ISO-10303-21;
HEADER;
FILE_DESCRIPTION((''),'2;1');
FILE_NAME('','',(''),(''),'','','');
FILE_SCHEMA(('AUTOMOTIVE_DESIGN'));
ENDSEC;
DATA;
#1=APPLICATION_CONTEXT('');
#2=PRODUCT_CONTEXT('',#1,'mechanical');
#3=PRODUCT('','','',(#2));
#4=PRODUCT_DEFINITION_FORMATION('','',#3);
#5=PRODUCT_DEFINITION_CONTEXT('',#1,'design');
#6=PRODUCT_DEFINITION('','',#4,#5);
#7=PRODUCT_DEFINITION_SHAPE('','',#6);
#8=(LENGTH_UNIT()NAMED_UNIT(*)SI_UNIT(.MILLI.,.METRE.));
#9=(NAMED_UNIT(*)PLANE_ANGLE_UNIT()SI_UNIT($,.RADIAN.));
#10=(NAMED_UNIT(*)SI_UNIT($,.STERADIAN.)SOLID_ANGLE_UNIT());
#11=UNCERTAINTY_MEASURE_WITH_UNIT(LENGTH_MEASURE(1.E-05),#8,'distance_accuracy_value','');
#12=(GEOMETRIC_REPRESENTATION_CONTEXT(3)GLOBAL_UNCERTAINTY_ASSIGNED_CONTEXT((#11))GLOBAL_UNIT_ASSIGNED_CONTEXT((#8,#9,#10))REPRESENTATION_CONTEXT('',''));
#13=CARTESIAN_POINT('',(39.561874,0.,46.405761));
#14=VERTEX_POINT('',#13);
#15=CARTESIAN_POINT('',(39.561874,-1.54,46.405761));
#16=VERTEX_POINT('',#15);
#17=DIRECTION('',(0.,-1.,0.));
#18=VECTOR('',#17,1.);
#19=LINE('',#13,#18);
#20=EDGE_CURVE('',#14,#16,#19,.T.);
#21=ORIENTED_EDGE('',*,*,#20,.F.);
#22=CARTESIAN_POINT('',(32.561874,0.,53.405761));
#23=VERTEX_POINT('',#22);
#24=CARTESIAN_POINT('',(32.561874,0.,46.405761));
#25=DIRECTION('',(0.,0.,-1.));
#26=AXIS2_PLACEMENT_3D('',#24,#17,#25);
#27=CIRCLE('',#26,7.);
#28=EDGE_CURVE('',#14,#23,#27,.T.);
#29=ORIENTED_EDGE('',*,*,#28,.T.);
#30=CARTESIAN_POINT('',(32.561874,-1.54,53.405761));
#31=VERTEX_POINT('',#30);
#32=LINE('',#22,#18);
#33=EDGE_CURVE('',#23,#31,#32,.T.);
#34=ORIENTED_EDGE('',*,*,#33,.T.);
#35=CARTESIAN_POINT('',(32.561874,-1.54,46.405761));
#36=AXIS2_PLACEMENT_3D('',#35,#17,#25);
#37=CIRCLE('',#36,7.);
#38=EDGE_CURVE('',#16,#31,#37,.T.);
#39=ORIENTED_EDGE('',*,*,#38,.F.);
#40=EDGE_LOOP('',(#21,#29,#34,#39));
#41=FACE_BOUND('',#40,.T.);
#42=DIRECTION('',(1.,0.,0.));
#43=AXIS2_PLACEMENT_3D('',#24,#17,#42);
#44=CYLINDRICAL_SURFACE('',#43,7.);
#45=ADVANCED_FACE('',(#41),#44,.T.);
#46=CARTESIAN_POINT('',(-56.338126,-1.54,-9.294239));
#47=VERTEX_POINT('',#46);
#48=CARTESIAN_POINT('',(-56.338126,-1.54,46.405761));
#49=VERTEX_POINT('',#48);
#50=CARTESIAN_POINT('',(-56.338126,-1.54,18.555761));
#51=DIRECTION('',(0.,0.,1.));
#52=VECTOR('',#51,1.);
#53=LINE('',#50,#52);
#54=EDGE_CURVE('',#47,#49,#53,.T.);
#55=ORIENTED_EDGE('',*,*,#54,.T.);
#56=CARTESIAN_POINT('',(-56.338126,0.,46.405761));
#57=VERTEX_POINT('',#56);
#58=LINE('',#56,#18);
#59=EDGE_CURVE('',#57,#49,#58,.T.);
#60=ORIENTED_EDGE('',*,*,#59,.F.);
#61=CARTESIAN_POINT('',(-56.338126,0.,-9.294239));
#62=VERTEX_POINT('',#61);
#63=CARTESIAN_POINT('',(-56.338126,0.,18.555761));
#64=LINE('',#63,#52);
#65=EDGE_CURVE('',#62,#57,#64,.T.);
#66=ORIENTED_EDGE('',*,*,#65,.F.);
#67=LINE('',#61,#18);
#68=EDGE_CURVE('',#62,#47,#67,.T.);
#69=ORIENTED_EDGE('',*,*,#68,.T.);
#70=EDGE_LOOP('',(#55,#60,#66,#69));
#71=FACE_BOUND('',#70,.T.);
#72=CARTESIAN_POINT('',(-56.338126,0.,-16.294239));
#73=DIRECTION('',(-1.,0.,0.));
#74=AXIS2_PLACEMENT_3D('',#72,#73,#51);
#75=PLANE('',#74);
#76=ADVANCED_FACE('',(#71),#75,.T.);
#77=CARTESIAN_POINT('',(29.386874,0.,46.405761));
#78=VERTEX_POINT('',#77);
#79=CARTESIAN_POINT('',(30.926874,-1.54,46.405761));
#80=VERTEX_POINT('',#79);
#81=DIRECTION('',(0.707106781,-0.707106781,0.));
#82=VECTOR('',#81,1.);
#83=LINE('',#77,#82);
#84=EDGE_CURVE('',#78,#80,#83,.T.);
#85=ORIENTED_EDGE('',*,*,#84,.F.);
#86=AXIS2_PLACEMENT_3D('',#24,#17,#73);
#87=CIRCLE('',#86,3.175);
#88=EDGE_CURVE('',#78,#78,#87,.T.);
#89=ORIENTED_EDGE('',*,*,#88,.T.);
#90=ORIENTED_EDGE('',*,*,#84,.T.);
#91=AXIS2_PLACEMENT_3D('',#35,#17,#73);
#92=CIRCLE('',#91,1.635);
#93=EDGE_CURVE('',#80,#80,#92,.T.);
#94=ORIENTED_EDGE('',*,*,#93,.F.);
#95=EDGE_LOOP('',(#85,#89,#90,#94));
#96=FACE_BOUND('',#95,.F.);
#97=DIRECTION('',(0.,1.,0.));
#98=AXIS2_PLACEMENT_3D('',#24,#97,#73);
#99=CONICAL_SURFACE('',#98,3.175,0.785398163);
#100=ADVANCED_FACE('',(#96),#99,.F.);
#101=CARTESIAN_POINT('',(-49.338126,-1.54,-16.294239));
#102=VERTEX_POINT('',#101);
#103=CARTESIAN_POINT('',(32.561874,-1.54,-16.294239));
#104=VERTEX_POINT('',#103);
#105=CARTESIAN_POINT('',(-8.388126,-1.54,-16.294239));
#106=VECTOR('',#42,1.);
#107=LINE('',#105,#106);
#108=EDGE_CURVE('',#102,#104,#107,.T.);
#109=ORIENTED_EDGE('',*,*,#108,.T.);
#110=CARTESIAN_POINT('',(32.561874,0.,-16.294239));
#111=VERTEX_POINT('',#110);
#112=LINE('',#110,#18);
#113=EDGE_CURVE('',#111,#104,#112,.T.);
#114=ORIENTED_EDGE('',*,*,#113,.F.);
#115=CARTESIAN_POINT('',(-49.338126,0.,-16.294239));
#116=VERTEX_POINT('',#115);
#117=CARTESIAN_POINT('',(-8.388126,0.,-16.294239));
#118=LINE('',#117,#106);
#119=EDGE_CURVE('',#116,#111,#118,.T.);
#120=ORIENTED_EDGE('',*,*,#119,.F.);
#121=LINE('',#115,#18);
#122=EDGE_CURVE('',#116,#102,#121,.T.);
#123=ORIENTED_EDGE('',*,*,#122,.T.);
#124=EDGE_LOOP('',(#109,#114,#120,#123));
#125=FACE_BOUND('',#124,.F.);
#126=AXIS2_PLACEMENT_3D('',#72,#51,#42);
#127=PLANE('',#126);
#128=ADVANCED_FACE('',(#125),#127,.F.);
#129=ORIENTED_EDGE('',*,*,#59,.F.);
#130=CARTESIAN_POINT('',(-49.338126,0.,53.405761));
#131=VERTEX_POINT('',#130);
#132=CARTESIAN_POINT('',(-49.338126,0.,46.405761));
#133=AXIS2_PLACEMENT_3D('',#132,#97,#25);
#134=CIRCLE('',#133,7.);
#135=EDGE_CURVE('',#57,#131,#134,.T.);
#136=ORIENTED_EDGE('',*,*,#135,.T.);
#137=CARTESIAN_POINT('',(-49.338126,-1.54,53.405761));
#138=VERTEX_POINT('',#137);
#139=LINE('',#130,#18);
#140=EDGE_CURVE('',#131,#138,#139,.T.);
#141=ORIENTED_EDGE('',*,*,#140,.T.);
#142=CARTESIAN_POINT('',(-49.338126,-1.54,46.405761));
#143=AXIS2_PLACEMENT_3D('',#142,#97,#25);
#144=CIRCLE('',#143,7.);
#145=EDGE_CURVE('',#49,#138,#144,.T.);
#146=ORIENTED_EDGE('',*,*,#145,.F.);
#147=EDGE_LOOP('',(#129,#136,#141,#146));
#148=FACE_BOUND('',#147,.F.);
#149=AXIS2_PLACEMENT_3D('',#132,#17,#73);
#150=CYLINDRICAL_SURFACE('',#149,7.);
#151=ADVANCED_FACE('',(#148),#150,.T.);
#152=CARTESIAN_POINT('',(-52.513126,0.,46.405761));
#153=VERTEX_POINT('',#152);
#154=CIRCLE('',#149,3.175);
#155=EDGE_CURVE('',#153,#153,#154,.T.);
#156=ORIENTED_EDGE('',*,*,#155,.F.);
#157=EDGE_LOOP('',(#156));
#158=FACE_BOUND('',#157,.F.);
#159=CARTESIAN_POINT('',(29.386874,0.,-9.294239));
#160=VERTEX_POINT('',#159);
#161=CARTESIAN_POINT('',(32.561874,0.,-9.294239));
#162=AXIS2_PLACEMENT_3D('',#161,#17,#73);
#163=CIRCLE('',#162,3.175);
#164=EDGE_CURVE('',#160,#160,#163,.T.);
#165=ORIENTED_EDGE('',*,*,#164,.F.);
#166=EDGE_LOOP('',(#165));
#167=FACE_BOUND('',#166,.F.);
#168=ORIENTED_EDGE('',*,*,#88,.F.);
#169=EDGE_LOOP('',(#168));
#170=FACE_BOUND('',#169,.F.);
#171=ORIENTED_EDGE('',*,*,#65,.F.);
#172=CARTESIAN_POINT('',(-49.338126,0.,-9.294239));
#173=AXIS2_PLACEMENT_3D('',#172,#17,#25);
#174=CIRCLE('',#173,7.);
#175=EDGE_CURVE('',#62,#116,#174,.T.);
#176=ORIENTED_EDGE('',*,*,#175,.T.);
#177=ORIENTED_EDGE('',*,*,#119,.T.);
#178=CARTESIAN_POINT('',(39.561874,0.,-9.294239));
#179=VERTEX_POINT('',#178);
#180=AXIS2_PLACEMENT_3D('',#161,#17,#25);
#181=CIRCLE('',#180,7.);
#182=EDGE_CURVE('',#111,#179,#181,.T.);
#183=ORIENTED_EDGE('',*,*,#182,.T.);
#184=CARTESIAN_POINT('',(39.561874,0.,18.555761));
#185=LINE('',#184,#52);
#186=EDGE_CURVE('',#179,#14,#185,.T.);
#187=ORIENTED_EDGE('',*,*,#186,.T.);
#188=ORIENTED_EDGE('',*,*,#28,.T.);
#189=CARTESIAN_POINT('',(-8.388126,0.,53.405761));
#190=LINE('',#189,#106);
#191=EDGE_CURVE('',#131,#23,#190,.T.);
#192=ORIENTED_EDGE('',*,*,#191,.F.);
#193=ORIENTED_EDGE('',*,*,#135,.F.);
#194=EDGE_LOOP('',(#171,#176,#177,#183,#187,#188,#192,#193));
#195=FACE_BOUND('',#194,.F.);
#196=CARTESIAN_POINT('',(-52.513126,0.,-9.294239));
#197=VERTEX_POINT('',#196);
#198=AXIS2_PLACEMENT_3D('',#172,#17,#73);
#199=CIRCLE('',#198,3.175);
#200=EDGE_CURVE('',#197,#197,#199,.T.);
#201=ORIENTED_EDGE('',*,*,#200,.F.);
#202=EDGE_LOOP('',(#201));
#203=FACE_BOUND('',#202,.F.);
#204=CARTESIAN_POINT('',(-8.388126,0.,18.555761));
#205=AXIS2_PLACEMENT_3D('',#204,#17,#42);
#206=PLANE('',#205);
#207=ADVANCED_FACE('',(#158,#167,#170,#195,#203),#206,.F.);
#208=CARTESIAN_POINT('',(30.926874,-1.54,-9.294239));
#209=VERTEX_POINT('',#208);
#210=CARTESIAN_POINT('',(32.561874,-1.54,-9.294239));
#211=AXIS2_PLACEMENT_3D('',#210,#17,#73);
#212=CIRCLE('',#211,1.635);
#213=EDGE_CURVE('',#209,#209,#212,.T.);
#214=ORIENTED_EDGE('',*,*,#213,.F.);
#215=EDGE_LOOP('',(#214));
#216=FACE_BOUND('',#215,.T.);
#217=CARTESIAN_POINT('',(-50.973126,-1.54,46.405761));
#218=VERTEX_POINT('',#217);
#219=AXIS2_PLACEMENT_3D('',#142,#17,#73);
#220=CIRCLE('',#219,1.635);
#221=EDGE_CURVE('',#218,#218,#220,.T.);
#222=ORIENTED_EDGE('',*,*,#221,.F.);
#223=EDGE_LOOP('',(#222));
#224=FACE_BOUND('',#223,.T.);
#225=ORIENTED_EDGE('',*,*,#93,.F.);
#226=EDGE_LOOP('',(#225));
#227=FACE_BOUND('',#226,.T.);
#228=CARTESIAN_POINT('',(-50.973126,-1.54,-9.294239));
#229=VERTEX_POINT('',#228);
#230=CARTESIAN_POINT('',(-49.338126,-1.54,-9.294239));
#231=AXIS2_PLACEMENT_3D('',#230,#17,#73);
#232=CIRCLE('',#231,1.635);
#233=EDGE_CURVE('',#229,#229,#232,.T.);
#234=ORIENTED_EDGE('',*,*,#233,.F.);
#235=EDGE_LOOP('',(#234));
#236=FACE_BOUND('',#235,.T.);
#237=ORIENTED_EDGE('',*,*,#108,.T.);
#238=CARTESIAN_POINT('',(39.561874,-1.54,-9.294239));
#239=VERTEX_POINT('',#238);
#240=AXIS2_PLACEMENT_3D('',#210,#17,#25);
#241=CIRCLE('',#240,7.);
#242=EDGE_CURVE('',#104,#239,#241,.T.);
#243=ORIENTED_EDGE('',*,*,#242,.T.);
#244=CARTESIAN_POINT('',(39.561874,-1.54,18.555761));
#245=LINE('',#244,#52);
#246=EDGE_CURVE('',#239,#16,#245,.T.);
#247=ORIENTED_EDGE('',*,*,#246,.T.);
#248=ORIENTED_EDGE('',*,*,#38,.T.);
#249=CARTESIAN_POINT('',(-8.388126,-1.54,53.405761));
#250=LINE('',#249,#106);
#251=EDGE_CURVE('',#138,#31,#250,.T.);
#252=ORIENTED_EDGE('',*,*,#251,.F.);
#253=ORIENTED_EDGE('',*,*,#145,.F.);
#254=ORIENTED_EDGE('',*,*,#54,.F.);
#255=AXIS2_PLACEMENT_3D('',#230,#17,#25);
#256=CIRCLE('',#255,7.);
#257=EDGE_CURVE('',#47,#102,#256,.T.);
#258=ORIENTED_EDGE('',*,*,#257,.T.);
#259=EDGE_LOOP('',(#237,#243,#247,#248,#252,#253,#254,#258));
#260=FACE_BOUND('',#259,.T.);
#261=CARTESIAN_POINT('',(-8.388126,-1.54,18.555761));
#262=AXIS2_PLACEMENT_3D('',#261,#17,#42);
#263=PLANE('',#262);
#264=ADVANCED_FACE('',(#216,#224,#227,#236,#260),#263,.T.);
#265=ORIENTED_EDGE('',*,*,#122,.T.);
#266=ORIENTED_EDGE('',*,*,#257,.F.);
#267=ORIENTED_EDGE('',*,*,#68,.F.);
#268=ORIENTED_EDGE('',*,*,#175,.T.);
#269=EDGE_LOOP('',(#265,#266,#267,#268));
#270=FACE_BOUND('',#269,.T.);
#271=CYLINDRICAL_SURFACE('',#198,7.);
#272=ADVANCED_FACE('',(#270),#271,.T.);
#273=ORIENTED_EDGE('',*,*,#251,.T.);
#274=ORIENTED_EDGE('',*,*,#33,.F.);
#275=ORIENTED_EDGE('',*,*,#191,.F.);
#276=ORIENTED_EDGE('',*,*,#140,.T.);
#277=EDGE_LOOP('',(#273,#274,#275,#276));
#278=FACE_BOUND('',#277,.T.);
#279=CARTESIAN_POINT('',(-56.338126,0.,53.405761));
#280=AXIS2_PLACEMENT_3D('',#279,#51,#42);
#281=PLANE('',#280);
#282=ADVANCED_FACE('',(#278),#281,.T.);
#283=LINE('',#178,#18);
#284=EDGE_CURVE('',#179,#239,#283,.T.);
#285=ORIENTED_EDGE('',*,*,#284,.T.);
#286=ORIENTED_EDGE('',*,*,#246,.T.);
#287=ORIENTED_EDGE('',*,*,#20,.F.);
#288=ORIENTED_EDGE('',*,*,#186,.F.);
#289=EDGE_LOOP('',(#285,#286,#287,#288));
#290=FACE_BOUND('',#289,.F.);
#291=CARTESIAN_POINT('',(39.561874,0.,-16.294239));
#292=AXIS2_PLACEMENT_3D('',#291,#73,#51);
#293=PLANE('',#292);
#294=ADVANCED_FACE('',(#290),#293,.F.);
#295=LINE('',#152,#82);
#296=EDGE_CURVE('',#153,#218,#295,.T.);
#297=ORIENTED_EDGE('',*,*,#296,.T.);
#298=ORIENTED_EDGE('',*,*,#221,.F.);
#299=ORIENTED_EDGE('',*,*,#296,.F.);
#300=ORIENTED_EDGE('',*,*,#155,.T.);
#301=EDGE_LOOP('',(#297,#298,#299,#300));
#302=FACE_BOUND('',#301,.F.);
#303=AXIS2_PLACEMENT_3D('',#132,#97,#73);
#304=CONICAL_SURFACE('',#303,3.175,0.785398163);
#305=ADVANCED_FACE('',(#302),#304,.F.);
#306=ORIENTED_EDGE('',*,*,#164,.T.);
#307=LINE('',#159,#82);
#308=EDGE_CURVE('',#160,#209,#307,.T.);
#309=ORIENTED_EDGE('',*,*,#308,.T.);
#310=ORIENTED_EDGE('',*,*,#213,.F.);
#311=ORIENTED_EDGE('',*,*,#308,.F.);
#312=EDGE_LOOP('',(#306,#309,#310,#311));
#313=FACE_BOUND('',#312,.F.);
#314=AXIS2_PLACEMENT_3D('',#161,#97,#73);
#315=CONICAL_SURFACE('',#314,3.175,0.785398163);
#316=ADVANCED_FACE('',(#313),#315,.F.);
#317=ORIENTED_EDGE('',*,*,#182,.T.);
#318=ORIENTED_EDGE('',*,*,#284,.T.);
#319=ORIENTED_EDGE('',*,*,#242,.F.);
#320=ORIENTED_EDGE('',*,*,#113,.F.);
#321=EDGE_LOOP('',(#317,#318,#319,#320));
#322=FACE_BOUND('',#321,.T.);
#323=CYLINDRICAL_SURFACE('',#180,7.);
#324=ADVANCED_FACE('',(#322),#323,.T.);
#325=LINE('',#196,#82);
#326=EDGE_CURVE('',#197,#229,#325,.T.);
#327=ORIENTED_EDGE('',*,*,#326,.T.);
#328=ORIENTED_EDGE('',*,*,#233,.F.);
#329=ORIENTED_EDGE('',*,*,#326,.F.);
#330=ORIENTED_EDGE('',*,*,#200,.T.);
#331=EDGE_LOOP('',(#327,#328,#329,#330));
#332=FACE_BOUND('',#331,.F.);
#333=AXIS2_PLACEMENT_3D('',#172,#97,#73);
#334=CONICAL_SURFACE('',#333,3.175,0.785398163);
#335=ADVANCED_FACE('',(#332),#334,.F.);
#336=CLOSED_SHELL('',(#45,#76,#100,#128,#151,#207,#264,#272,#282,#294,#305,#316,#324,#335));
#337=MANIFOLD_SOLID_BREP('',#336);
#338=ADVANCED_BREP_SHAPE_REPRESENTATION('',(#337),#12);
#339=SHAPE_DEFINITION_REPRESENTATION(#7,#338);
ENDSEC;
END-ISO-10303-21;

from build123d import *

# Parameters (mm, degrees)
F0_W           = 95.9
F0_H           = 69.7
F1_DEPTH       = 1.54
F2_R           = 7
F3_D           = 2.8448
F3_CSINK_D     = 6.35
F3_CSINK_ANGLE = 90


with BuildPart() as f1:
    # F0 (on Front) → F1 (new body)
    with BuildSketch(Plane.XZ):
        with Locations((-8.388126269, 18.5557605668)):
            Rectangle(F0_W, F0_H)
    extrude(amount=F1_DEPTH)

    # F2
    f2_edges = [f1.edges().sort_by_distance(p)[0] for p in [
        (-56.338126, -0.77, -16.294239),
        (39.561874, -0.77, -16.294239),
        (39.561874, -0.77, 53.405761),
        (-56.338126, -0.77, 53.405761),
    ]]
    fillet(f2_edges, radius=F2_R)

    # F3 (through all)
    with Locations(Plane(origin=(0, 0, 0), x_dir=(1, 0, 0), z_dir=(0, 1, 0))):
        with Locations((-49.338126269, -46.4057605668), (32.561873731, -46.4057605668), (32.561873731, 9.2942394332), (-49.338126269, 9.2942394332)):
            CounterSinkHole(F3_D / 2, F3_CSINK_D / 2, counter_sink_angle=F3_CSINK_ANGLE)


solid = f1.part
